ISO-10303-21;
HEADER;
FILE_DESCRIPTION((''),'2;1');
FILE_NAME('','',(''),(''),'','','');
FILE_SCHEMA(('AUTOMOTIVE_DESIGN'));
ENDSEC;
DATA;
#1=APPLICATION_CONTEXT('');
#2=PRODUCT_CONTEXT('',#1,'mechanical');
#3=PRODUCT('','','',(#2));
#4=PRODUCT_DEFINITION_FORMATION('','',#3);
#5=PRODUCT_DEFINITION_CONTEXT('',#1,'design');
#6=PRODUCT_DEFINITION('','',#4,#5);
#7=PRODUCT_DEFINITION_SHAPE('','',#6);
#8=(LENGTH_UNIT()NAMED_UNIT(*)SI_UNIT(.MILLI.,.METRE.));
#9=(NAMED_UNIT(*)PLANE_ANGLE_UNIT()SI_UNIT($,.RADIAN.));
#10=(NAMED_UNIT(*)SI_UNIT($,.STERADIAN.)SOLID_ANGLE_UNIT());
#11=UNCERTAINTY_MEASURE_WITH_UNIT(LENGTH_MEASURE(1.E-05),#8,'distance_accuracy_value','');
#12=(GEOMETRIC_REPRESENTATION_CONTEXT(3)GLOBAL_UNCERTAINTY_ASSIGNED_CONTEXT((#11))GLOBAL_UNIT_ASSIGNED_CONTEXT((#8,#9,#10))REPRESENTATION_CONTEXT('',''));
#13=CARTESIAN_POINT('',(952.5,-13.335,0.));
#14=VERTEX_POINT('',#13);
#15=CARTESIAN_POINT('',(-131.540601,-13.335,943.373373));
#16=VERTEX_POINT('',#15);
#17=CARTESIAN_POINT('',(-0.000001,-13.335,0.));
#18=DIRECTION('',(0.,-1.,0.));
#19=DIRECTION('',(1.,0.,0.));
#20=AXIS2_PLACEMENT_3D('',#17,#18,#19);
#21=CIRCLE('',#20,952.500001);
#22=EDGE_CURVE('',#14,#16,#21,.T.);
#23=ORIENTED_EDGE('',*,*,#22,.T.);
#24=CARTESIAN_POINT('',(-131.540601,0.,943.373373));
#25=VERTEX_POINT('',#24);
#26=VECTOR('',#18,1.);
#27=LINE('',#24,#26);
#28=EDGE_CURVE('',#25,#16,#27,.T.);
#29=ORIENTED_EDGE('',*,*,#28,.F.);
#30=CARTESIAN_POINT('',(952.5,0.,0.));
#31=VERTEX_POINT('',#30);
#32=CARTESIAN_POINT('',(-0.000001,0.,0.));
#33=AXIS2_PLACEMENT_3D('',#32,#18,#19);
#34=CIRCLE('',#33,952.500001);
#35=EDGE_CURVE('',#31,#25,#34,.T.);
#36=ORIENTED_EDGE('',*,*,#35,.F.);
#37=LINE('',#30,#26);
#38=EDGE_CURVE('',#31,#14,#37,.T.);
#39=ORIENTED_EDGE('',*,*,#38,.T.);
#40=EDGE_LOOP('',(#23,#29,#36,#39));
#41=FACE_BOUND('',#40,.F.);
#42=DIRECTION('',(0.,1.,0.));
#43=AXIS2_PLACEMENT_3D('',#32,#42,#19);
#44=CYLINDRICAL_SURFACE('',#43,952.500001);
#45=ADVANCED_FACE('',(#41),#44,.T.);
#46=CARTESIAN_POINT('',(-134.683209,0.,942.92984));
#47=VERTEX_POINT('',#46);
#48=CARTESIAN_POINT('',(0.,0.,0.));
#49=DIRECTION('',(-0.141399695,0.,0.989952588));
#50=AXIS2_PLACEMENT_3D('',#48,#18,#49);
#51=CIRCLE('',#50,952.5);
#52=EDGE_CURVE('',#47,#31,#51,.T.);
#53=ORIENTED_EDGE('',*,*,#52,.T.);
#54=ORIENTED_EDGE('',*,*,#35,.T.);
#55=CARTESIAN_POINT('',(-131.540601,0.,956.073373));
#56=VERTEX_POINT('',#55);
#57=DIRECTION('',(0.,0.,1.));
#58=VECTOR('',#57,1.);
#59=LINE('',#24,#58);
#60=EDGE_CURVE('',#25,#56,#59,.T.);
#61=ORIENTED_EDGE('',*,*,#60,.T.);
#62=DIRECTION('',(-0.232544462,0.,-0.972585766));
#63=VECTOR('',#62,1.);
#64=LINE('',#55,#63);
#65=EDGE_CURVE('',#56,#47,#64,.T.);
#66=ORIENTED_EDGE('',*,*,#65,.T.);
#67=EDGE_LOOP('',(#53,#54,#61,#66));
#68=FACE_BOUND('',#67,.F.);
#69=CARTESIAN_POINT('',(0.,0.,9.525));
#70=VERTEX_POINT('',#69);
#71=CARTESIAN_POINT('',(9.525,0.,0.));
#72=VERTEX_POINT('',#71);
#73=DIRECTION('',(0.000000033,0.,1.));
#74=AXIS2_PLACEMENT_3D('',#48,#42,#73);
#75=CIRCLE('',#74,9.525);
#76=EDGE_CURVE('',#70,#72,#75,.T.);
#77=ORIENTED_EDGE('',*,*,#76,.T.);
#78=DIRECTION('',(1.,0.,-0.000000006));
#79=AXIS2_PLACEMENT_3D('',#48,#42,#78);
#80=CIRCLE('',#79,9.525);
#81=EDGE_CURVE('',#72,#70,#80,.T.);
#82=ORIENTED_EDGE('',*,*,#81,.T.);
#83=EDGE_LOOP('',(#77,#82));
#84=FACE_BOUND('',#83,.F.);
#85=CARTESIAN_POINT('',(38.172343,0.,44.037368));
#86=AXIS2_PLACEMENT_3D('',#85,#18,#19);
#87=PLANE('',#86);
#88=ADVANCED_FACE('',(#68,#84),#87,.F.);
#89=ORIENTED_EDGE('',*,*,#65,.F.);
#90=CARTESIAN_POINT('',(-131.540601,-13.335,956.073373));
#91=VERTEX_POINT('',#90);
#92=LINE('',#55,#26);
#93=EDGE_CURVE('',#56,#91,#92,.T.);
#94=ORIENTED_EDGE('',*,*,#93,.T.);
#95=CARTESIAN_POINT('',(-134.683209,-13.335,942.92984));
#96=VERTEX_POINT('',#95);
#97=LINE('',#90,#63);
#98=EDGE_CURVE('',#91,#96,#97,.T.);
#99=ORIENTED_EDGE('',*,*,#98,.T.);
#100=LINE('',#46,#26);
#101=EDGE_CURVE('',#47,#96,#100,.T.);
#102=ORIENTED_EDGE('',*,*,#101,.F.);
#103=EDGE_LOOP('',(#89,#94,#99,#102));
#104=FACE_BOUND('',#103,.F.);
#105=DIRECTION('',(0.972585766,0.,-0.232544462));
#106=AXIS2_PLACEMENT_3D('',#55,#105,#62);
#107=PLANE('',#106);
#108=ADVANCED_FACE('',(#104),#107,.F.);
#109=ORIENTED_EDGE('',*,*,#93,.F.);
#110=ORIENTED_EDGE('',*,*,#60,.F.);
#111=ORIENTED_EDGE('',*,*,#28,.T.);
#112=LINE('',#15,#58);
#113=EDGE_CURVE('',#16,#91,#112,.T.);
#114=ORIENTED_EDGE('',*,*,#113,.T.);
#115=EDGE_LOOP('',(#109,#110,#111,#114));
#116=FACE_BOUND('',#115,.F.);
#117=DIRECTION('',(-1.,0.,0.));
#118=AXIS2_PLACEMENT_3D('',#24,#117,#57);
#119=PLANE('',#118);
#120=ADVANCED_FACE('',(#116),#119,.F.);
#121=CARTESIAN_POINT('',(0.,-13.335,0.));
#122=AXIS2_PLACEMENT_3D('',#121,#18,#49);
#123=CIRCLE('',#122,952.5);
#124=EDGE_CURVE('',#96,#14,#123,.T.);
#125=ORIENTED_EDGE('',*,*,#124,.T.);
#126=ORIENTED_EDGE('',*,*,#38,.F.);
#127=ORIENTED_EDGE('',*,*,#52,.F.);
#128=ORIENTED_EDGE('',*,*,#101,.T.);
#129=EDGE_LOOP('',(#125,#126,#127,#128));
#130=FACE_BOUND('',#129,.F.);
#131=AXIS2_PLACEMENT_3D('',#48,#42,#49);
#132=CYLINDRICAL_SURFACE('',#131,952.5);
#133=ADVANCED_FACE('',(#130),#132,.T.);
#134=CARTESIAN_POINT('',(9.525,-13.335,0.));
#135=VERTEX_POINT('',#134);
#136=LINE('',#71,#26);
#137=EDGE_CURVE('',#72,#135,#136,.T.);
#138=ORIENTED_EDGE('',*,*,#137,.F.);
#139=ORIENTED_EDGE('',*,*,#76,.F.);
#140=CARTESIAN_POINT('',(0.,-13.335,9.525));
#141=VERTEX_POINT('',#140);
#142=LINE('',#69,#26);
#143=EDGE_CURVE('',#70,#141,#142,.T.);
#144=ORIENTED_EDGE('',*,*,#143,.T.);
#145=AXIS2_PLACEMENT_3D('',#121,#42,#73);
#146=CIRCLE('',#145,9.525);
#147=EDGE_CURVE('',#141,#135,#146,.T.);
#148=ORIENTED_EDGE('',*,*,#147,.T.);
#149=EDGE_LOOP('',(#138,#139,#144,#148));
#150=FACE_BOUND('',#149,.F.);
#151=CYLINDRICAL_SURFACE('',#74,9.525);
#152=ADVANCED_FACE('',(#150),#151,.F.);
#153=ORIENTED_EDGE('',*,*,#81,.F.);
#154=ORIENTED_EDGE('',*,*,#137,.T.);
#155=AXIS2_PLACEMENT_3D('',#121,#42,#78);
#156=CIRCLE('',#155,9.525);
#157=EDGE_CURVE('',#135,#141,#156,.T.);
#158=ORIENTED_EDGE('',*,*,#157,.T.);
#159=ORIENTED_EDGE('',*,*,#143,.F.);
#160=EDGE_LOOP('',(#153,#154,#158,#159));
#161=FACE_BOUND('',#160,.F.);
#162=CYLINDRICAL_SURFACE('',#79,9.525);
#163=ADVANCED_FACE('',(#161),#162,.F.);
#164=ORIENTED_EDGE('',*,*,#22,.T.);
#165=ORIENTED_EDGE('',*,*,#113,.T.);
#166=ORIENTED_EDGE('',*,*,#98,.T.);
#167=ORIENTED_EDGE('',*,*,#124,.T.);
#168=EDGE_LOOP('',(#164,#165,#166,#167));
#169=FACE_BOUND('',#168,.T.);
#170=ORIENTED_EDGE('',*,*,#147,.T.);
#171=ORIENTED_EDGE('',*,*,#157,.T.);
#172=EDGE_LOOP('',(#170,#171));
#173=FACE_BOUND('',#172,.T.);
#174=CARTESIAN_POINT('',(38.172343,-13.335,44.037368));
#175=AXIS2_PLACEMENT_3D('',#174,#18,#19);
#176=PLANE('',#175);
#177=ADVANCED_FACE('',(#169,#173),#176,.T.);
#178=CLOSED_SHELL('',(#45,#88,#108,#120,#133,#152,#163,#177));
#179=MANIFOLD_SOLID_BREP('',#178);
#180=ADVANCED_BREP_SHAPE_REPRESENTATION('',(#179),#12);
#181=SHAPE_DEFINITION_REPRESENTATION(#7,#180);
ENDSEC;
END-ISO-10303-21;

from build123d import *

# Parameters (mm, degrees)
F1_DEPTH = 13.335


with BuildPart() as f1:
    # F0 (on Front) → F1 (new body)
    with BuildSketch(Plane.XZ):
        with BuildLine():
            ThreePointArc((-134.683209, 942.92984), (-624.087531, -719.563064), (952.5, 0))
            ThreePointArc((952.5, 0), (625.285466, 718.522328), (-131.540601, 943.373373))
            ThreePointArc((-131.540601, 943.373373), (-133.11209, 943.152915), (-134.683209, 942.92984))
        make_face()
        with BuildLine():
            ThreePointArc((0, 9.525), (6.735192, 6.735192), (9.525, 0))
            ThreePointArc((9.525, 0), (-6.735192, -6.735192), (0, 9.525))
        make_face(mode=Mode.SUBTRACT)
        with BuildLine():
            ThreePointArc((-134.683209, 942.92984), (-133.11209, 943.152915), (-131.540601, 943.373373))
            Line((-131.540601, 943.373373), (-131.540601, 956.073373))
            Line((-131.540601, 956.073373), (-134.683209, 942.92984))
        make_face()
    extrude(amount=F1_DEPTH)


solid = f1.part
